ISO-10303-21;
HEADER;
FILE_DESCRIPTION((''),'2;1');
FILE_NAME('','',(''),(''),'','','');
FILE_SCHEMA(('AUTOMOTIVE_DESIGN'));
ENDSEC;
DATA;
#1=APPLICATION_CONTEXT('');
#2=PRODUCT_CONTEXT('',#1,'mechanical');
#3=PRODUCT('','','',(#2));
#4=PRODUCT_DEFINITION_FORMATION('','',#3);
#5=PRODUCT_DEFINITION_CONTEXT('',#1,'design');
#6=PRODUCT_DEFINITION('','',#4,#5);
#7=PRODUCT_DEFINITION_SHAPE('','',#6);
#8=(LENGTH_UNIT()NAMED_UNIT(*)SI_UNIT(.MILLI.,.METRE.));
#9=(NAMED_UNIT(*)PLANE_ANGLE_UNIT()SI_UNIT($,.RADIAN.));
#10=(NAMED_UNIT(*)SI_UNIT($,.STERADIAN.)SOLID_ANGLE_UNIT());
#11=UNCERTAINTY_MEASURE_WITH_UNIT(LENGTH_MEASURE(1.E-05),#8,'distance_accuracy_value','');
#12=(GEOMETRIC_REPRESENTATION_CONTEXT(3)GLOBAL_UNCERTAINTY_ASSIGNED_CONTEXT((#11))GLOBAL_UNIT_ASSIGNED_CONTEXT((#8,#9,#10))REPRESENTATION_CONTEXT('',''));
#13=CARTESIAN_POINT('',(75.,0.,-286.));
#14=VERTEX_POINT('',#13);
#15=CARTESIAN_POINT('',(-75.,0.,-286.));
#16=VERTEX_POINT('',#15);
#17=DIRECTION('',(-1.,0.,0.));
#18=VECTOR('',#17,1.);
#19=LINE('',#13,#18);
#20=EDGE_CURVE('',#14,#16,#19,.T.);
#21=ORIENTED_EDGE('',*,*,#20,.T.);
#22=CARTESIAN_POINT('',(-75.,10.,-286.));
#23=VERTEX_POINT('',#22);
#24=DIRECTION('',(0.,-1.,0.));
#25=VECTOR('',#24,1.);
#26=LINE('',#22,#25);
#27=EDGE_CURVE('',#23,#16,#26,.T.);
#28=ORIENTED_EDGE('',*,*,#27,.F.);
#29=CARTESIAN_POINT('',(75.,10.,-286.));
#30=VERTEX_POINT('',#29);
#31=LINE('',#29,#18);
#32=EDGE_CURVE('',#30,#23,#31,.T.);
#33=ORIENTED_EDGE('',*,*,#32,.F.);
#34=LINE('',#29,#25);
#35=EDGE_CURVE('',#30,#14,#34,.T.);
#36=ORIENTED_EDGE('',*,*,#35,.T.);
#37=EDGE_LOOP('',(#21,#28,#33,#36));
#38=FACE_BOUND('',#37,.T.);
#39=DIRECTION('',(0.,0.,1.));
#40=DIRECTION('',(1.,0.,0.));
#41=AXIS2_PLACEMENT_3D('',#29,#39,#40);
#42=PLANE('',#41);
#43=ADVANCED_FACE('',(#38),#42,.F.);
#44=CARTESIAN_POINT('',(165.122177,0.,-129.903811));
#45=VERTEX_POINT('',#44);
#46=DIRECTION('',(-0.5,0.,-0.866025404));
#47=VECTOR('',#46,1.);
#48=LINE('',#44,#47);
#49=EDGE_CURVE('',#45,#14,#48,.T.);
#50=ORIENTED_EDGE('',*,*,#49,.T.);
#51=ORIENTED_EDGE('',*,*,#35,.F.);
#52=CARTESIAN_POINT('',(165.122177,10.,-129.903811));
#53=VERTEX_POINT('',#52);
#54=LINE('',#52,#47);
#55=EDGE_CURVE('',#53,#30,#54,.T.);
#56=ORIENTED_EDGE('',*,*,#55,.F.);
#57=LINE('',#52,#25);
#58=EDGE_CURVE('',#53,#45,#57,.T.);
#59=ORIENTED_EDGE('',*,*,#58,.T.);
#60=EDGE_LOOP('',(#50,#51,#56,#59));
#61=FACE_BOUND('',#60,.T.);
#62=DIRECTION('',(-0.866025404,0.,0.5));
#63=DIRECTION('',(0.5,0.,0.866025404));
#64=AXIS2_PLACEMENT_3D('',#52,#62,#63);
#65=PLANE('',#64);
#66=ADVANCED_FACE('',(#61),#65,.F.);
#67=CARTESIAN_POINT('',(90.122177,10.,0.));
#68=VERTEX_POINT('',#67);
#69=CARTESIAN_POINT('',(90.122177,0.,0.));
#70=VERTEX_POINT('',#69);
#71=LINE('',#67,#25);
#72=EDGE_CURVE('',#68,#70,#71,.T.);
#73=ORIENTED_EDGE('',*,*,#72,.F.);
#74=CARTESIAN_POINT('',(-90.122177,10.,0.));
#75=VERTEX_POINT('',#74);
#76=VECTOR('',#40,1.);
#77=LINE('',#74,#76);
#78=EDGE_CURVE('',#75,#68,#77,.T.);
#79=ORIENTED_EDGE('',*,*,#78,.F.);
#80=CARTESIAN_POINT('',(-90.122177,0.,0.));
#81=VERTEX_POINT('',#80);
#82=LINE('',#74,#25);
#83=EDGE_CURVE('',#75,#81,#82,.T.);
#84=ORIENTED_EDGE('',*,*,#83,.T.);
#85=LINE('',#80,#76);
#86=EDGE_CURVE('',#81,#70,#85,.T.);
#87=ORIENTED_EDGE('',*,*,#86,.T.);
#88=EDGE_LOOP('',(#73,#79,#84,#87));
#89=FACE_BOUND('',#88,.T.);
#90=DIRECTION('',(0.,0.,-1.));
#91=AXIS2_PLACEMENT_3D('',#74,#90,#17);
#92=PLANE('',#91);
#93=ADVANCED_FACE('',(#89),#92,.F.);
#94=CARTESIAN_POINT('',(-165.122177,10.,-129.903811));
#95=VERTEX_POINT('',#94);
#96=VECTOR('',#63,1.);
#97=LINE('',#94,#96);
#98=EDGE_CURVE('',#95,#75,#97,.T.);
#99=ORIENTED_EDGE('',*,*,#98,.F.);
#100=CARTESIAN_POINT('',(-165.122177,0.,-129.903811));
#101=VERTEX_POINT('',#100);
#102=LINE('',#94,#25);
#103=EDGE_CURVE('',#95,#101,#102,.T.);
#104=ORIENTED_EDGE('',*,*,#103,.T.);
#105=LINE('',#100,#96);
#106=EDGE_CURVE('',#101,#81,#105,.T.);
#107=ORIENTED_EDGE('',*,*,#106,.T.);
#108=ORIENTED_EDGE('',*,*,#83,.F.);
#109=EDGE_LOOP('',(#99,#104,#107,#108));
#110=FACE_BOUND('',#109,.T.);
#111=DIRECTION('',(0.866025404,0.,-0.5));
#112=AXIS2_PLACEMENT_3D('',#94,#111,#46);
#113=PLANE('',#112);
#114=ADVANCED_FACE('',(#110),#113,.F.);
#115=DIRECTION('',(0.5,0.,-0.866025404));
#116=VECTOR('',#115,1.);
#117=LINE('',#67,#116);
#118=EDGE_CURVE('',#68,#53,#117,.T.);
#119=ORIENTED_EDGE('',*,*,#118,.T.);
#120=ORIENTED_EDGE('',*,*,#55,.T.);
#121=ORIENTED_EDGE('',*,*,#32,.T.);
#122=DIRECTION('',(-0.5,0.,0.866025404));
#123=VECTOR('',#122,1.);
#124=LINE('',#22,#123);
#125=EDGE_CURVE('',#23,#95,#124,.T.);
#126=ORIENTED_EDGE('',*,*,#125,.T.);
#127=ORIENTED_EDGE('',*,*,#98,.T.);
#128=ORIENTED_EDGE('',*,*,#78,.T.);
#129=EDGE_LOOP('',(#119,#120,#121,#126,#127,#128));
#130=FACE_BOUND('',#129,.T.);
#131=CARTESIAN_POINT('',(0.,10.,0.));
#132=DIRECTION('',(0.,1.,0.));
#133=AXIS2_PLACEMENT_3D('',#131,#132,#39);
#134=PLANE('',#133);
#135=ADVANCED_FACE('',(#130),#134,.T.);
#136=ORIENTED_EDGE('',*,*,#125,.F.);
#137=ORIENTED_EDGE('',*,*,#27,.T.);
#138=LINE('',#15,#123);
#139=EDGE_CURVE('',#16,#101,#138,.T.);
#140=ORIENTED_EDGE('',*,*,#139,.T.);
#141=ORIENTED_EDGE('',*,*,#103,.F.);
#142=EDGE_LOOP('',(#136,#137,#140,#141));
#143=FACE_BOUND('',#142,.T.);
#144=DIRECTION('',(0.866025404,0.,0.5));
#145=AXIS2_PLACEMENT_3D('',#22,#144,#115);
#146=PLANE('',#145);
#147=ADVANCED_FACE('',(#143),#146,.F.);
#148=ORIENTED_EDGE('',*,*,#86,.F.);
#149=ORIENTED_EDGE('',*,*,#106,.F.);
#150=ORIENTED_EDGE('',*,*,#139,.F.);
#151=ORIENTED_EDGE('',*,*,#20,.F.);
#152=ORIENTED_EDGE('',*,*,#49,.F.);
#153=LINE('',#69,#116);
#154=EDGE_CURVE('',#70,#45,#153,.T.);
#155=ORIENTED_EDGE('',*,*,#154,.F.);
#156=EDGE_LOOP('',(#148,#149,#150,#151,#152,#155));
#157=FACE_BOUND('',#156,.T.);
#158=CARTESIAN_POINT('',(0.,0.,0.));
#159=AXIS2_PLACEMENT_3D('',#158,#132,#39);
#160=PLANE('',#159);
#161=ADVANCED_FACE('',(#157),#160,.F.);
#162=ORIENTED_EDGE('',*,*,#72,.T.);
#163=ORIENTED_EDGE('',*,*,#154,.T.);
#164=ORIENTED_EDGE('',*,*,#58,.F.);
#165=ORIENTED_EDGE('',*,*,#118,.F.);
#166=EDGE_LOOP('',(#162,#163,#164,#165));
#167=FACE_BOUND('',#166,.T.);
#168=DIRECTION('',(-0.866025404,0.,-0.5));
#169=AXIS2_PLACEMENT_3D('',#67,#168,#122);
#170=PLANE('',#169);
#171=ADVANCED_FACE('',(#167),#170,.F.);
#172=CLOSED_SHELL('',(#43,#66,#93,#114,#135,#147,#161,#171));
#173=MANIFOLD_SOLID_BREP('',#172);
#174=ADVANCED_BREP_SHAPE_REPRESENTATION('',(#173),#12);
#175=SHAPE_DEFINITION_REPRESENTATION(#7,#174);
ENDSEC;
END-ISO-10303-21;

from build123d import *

# Parameters (mm, degrees)
EXTRUDE_1_DEPTH = 10


with BuildPart() as part:
    # 草圖1 → 填料-伸長1 (new body)
    with BuildSketch(Plane(origin=(0, 0, 0), x_dir=(1, 0, 0), z_dir=(0, 1, 0))):
        Polygon((-90.122176988, 0), (90.122176988, 0), (165.122176988, 129.903810568), (75, 286), (-75, 286), (-165.122176988, 129.903810568), align=None)
    extrude(amount=EXTRUDE_1_DEPTH)


solid = part.part
